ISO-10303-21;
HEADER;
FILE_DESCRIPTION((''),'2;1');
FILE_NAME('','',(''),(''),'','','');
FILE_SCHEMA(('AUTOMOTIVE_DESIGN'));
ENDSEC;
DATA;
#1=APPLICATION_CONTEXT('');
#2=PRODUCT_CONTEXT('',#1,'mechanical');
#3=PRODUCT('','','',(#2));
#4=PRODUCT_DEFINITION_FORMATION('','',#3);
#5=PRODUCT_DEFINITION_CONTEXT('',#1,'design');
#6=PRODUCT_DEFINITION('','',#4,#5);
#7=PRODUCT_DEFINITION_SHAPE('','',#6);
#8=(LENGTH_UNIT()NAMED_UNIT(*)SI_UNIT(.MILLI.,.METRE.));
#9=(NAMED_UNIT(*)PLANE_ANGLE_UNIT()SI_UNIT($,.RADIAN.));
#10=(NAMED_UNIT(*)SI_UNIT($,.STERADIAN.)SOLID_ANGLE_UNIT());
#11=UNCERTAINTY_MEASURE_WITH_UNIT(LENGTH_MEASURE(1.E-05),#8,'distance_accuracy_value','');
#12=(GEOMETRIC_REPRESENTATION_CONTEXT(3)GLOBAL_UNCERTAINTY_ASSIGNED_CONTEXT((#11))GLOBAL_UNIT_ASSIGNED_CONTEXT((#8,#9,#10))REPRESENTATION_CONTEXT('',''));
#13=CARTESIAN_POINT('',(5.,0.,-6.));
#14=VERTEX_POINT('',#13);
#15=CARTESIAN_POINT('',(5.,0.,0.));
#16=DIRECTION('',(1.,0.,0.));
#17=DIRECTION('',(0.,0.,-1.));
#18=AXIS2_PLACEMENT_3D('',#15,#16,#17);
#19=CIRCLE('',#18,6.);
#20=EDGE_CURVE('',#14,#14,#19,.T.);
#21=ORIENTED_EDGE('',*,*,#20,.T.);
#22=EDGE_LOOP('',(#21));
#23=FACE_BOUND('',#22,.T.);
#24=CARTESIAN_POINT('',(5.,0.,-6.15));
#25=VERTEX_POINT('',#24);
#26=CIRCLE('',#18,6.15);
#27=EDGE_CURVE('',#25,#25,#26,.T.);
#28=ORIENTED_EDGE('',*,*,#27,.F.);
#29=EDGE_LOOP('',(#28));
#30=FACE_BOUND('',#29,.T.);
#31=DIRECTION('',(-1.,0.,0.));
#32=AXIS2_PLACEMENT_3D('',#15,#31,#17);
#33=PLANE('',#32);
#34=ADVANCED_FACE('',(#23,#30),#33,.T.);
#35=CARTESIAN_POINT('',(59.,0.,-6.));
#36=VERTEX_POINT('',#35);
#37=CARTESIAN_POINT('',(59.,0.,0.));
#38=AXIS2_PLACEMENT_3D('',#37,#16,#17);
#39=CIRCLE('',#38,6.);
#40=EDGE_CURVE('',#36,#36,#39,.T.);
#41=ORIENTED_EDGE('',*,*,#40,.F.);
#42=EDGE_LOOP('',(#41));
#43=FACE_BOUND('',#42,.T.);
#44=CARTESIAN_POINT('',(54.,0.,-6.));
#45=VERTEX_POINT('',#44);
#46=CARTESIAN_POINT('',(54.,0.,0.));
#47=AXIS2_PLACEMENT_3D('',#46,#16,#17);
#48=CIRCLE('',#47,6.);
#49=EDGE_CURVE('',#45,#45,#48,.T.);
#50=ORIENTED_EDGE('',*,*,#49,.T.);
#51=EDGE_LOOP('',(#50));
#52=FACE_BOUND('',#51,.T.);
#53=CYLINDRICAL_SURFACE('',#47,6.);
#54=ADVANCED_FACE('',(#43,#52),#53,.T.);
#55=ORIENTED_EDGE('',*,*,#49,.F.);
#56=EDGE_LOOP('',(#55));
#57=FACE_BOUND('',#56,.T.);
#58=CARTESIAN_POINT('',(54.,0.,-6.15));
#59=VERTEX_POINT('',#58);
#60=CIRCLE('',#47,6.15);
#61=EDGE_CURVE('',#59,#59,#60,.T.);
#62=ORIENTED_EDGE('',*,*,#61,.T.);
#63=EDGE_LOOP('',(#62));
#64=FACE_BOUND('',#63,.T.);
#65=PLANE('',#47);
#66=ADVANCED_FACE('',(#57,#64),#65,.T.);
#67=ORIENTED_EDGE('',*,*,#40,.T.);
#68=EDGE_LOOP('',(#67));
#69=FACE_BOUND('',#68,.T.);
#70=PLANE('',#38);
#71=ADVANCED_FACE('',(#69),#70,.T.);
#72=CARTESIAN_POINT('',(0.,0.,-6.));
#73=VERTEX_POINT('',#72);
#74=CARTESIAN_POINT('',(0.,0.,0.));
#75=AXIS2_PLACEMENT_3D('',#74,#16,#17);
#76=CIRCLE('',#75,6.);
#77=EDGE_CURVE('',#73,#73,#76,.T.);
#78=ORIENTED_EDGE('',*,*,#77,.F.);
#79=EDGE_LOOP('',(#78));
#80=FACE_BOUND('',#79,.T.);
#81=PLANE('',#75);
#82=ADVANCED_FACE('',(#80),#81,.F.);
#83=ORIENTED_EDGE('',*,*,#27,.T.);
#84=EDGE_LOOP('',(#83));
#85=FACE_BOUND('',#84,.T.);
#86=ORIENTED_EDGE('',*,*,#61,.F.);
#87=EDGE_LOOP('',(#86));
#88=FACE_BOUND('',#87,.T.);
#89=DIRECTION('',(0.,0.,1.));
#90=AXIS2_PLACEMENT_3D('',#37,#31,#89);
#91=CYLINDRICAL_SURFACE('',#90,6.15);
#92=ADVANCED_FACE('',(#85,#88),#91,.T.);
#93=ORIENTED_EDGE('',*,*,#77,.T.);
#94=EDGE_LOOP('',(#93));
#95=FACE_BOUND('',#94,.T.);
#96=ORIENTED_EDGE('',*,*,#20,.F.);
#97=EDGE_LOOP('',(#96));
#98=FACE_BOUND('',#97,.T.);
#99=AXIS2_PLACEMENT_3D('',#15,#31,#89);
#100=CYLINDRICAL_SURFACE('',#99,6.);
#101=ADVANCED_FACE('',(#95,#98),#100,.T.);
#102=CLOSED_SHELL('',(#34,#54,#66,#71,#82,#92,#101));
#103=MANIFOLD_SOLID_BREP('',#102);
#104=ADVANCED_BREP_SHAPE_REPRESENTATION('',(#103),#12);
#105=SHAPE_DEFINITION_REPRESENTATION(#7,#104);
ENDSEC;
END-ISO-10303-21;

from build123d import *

# Parameters (mm, degrees)
SKETCH1_R           = 6.15
BOSS_EXTRUDE1_DEPTH = 59
CUT_EXTRUDE1_START  = -5
SKETCH2_R           = 6.15
SKETCH2_R_2         = 6
CUT_EXTRUDE1_DEPTH  = 5


with BuildPart() as part:
    # Sketch1 → Boss-Extrude1 (new body)
    with BuildSketch(Plane(origin=(0, 0, 0), x_dir=(0, 0, -1), z_dir=(1, 0, 0))):
        Circle(SKETCH1_R)
    extrude(amount=BOSS_EXTRUDE1_DEPTH)

    # Sketch2 → Cut-Extrude1 (cut)
    with BuildSketch(Plane(origin=(59, 0, 0), x_dir=(0, 0, -1), z_dir=(1, 0, 0)).offset(CUT_EXTRUDE1_START)):
        Circle(SKETCH2_R)
        Circle(SKETCH2_R_2, mode=Mode.SUBTRACT)
    cut_extrude1 = extrude(amount=CUT_EXTRUDE1_DEPTH, mode=Mode.SUBTRACT)

    # Mirror1: Cut-Extrude1 across plane
    add(cut_extrude1.mirror(Plane(origin=(29.5, 0, 0), x_dir=(0, 0, 1), z_dir=(1, 0, 0))), mode=Mode.SUBTRACT)


solid = part.part
